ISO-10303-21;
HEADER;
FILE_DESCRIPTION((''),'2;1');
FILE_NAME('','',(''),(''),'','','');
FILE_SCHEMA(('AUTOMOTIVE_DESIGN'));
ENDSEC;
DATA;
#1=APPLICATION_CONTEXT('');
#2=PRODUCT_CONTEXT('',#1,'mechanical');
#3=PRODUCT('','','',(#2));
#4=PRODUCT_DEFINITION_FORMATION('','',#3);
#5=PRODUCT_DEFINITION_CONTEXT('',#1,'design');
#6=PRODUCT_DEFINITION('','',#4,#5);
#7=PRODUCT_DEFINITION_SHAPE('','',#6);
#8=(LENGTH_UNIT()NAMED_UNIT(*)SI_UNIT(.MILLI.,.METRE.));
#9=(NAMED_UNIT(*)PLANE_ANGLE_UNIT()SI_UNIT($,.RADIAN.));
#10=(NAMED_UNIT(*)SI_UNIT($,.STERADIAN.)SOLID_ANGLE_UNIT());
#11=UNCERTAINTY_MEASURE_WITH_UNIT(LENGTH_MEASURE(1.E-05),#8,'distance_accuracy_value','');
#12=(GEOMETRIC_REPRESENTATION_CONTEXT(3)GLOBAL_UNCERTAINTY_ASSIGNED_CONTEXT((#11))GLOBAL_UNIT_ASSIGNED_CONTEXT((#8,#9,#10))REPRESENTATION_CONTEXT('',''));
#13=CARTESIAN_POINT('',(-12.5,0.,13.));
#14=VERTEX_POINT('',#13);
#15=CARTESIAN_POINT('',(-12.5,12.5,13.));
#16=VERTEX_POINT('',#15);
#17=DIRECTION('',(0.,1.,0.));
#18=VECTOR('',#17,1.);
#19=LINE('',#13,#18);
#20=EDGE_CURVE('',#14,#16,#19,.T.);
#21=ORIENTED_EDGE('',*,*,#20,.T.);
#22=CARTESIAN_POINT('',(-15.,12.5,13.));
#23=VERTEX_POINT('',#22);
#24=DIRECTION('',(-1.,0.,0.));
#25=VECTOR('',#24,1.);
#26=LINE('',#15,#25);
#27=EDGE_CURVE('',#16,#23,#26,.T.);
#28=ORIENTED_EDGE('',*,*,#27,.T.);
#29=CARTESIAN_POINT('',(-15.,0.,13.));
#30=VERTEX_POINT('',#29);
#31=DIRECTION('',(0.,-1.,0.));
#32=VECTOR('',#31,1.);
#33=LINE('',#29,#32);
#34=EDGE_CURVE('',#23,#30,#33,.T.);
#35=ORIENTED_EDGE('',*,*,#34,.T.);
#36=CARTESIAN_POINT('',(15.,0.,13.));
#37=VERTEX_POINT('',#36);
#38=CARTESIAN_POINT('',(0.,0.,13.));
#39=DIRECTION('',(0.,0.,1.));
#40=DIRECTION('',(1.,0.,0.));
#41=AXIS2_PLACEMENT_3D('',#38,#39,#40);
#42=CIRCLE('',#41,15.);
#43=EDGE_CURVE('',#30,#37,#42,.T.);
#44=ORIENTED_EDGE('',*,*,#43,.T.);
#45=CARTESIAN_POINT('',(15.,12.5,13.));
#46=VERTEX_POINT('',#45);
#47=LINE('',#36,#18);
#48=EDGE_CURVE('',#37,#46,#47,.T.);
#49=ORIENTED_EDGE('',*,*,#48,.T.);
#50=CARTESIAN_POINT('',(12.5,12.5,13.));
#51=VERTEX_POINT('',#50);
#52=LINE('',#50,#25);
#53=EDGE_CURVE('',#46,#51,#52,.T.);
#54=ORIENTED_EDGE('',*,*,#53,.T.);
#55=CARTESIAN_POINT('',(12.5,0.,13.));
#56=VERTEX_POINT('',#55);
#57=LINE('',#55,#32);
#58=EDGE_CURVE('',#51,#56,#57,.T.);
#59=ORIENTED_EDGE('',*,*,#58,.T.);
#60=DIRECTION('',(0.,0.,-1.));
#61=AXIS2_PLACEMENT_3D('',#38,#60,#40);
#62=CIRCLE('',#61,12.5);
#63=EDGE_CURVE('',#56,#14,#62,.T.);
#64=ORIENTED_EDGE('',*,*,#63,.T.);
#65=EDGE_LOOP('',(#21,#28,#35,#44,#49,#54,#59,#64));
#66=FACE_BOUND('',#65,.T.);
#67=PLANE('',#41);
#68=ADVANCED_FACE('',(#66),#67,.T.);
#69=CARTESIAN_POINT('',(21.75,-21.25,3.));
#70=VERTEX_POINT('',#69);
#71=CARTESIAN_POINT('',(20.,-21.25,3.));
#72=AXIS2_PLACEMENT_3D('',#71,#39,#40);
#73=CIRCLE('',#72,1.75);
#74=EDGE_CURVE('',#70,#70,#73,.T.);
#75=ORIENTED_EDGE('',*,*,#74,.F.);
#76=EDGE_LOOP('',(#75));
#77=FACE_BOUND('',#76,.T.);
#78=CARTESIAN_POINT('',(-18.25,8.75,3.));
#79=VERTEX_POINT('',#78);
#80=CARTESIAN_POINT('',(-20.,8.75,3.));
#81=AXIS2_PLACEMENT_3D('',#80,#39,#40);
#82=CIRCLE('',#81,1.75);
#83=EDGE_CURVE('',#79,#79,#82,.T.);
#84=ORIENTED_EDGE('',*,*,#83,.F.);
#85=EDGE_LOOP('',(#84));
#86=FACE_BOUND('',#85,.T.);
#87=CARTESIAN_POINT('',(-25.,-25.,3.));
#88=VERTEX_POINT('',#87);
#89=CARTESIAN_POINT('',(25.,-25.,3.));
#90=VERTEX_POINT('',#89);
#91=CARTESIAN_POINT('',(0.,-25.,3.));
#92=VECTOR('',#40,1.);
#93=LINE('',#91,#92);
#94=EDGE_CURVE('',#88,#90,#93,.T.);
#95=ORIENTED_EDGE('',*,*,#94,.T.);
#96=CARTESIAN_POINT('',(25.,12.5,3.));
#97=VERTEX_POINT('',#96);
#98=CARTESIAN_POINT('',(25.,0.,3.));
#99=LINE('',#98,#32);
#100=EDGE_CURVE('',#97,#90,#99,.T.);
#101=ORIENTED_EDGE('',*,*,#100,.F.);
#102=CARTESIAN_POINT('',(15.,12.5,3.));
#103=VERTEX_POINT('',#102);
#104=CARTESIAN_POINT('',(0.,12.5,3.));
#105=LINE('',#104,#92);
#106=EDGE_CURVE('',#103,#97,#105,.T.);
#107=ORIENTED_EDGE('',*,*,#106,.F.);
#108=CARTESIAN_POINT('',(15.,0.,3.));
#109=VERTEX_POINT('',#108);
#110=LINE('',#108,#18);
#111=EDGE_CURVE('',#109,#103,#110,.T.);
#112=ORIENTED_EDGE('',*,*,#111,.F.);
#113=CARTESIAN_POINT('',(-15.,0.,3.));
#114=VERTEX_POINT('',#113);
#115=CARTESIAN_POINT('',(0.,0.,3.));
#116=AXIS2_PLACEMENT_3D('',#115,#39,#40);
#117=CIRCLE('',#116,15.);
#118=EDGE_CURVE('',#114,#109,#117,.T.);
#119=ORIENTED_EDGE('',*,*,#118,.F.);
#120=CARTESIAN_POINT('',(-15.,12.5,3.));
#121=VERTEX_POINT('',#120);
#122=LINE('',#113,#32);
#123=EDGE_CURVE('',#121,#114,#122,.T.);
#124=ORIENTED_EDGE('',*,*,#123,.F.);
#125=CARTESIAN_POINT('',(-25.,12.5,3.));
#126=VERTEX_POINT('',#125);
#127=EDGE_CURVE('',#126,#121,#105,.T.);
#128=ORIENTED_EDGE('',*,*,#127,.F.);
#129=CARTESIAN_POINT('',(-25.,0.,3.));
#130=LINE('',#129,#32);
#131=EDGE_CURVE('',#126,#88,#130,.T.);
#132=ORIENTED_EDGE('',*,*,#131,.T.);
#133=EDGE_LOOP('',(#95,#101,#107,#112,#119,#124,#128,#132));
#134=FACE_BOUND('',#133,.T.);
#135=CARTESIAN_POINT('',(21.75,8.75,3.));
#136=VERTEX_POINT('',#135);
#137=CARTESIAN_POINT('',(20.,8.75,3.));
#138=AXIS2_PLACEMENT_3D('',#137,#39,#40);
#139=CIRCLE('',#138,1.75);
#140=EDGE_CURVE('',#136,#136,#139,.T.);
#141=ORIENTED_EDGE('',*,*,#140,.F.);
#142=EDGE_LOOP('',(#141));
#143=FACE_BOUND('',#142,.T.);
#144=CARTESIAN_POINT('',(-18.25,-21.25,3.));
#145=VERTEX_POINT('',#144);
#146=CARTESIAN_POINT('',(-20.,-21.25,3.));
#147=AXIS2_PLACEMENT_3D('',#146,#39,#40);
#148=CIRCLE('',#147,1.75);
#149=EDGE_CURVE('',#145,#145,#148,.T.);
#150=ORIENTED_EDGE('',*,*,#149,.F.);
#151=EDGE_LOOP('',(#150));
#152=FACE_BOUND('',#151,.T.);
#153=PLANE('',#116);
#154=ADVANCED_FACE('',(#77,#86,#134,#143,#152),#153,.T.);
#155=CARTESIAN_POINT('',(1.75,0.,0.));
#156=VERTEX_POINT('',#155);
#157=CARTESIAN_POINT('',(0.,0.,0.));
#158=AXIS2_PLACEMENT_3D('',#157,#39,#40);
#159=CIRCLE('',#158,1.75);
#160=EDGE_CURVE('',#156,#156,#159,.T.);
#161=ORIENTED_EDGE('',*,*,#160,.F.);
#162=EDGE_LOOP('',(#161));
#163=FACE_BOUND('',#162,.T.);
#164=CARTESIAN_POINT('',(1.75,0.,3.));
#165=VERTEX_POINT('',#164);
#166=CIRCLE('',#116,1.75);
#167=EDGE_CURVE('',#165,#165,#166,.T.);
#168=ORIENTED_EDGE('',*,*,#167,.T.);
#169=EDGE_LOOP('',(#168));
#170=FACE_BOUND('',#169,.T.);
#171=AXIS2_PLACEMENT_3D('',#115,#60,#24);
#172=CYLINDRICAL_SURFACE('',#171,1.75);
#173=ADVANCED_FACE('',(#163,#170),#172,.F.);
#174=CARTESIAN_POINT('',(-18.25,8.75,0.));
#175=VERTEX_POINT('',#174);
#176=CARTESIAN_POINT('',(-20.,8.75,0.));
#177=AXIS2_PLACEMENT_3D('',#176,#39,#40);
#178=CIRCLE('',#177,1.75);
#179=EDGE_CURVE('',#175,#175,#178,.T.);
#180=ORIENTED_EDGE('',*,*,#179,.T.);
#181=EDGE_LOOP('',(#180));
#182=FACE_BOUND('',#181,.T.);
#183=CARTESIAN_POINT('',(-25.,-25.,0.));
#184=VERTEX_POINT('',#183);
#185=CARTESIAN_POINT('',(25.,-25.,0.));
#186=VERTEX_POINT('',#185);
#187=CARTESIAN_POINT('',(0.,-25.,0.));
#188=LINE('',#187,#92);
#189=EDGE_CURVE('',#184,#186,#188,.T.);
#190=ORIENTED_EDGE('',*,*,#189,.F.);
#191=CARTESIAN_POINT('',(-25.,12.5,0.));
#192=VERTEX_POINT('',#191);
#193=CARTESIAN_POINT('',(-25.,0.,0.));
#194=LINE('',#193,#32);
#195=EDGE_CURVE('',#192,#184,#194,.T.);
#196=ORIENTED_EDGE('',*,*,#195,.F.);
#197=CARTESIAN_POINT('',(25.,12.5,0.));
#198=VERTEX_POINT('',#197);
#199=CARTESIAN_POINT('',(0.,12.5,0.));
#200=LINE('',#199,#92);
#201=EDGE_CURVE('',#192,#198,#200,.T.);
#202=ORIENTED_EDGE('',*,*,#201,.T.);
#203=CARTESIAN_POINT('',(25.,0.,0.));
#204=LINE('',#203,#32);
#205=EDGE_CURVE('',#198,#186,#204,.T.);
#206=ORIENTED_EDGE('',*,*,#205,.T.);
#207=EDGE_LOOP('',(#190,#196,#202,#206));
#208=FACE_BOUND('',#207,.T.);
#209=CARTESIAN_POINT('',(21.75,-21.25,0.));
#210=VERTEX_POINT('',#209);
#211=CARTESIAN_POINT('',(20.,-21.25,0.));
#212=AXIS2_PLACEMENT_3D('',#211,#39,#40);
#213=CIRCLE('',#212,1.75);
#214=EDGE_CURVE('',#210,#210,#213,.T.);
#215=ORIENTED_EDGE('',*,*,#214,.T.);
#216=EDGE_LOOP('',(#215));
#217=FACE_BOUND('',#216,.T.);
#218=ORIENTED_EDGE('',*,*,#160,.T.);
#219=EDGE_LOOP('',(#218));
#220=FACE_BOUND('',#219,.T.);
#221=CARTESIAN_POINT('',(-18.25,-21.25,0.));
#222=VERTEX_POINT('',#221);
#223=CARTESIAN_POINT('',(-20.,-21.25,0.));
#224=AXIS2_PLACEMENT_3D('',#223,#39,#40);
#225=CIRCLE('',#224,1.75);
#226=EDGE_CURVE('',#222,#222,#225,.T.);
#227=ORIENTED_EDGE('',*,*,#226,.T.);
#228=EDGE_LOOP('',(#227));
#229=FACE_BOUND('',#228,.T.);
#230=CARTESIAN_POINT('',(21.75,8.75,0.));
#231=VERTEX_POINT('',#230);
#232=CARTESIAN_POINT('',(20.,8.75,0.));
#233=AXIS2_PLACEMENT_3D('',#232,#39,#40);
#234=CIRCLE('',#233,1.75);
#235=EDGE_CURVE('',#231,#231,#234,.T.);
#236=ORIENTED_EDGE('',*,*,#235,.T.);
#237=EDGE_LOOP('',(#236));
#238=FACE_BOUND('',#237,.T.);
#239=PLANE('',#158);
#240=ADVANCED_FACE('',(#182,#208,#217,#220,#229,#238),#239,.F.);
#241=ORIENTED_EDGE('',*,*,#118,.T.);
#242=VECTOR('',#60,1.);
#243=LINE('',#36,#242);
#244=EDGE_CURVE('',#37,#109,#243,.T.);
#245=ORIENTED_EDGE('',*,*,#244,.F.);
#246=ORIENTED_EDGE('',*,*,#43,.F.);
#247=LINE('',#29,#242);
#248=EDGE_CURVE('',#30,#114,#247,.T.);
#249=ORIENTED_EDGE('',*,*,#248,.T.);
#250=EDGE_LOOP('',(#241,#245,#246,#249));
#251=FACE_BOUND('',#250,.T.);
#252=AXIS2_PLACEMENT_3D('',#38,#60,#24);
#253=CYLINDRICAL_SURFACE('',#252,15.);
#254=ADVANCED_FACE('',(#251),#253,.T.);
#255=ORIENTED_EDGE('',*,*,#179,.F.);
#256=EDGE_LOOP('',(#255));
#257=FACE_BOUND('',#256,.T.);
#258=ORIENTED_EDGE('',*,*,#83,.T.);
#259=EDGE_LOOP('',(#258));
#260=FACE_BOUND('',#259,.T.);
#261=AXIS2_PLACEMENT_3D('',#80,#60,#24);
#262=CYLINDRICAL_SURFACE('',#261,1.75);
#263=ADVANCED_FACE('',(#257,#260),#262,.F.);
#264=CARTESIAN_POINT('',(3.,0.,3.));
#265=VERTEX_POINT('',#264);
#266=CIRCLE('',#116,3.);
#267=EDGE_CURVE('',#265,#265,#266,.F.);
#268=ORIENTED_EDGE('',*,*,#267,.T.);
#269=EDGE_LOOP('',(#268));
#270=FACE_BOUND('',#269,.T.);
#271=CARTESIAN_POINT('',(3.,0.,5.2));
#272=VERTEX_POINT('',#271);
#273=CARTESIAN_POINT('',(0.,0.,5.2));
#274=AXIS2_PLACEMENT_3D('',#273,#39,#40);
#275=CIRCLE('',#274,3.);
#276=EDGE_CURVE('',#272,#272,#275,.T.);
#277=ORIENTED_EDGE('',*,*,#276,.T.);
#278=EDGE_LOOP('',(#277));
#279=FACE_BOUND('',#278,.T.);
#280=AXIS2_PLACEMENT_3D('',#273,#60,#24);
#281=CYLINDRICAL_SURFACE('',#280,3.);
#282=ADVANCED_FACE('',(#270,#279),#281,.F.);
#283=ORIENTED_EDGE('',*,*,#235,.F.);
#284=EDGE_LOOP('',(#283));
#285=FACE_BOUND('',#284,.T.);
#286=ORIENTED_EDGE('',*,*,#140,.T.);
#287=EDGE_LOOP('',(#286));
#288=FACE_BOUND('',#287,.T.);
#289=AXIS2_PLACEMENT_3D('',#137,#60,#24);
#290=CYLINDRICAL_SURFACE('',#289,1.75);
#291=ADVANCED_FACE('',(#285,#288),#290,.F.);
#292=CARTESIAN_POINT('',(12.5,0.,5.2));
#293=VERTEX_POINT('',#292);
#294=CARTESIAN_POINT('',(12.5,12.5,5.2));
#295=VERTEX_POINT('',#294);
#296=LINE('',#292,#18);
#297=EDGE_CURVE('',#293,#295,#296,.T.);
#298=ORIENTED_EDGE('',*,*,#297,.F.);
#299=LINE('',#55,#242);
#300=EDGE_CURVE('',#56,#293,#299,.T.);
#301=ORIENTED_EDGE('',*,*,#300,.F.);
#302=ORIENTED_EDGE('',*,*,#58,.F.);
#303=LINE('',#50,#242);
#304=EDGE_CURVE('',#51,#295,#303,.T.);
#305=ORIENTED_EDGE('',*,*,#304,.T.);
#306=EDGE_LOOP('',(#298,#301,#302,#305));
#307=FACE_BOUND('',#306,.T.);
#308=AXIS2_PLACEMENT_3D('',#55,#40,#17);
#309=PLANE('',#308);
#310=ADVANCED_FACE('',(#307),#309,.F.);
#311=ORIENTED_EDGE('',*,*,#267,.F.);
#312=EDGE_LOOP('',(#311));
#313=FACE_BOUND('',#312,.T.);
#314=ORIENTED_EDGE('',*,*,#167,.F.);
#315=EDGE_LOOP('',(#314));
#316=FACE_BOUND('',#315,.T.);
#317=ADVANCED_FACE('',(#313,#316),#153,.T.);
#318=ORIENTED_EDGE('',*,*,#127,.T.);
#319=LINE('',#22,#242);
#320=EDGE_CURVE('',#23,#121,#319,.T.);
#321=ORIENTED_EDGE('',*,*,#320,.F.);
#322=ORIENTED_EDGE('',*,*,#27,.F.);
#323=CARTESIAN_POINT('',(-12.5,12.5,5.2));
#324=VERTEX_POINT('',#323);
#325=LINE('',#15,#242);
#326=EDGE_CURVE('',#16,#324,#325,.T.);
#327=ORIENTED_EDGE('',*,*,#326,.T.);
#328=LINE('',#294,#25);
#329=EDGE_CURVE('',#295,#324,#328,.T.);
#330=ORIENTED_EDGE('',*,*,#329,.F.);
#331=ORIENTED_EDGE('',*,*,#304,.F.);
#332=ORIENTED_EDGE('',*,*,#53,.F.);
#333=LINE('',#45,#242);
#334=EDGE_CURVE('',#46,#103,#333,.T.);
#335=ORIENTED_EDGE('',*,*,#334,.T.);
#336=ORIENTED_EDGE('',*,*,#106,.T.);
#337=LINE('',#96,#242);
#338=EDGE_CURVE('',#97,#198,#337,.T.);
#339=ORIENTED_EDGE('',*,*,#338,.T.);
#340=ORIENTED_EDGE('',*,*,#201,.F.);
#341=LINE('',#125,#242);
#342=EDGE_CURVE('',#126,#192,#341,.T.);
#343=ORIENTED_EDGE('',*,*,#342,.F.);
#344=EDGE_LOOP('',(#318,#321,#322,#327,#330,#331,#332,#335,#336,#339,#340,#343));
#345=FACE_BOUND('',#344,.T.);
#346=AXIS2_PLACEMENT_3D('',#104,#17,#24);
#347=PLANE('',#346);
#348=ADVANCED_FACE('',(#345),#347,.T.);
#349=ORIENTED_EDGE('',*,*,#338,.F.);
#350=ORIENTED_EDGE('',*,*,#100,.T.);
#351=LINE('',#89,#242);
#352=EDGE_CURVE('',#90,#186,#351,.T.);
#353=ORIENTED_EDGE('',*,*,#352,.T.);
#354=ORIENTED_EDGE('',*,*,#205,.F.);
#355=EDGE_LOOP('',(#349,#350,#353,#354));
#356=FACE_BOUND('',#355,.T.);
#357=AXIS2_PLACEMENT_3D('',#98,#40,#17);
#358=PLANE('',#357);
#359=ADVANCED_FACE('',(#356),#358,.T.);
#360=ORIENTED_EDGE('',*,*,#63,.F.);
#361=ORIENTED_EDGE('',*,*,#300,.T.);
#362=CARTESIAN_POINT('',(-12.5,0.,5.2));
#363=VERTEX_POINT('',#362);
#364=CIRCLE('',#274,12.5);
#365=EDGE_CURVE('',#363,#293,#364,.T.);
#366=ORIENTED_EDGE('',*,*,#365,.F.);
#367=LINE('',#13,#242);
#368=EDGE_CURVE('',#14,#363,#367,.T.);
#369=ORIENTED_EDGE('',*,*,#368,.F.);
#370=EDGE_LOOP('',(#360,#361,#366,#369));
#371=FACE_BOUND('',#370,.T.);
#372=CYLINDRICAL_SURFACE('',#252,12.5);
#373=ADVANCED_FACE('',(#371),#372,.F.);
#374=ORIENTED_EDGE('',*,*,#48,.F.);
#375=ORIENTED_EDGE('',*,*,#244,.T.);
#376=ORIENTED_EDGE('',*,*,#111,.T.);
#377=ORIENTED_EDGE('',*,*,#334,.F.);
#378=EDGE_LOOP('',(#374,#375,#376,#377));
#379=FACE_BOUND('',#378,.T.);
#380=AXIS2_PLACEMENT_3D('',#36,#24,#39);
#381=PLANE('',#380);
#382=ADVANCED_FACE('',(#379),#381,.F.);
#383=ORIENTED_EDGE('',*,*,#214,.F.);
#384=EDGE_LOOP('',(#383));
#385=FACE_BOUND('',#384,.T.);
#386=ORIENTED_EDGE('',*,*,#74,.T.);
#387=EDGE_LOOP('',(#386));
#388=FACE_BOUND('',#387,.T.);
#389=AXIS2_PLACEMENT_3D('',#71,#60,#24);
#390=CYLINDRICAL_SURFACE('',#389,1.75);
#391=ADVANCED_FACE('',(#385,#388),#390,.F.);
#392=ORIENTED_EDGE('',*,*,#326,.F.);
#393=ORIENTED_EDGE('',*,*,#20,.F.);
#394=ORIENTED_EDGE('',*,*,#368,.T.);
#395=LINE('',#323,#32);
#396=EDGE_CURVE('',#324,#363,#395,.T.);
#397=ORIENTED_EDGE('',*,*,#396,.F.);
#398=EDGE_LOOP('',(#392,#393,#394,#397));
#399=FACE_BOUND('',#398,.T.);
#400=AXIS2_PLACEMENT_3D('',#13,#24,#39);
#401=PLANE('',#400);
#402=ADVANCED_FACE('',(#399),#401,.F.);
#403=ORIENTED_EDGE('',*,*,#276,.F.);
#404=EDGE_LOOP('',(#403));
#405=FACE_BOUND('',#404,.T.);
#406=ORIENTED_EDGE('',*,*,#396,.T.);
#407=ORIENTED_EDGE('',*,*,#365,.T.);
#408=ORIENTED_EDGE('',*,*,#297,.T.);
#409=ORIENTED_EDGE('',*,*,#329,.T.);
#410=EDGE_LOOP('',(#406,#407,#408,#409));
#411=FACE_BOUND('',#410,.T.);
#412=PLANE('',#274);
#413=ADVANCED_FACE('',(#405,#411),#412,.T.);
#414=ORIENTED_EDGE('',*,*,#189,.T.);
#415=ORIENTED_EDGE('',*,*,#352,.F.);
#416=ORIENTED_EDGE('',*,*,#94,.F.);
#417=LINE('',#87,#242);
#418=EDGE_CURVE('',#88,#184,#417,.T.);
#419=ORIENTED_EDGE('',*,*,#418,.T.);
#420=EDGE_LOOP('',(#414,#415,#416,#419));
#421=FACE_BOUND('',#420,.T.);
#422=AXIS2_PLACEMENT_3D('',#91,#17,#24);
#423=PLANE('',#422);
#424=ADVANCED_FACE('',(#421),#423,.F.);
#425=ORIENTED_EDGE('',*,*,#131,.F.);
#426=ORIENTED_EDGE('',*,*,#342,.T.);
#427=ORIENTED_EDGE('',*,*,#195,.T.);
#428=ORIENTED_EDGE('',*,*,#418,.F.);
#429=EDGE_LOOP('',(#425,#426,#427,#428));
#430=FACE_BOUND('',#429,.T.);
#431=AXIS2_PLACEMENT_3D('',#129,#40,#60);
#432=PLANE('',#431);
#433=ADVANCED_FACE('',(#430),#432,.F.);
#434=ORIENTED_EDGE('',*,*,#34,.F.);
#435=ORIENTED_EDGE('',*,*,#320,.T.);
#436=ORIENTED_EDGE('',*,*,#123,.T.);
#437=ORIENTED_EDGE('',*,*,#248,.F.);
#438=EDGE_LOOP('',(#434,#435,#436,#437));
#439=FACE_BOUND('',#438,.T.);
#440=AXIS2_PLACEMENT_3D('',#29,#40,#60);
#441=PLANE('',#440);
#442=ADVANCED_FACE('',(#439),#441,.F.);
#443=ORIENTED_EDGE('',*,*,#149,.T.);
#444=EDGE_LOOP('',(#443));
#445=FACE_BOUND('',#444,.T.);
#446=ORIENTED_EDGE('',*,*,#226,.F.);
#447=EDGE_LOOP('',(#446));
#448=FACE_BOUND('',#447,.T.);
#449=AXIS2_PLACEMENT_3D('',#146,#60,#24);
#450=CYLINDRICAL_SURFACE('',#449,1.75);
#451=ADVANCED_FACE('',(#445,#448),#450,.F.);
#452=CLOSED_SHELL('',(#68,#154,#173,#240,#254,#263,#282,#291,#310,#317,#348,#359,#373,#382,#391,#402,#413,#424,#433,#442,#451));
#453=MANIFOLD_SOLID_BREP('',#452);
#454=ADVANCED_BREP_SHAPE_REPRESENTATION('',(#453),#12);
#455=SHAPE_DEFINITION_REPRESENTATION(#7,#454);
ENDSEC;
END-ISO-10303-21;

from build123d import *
from build123d.topology import SkipClean

# Parameters (mm, degrees)
SCHIZZO1_R                   = 1.75
SCHIZZO1_R_2                 = 12.5
ESTRUSIONE_ESTRUSIONE1_DEPTH = 3
ESTRUSIONE_ESTRUSIONE2_DEPTH = 10
SCHIZZO3_R                   = 3
ESTRUSIONE_ESTRUSIONE3_DEPTH = 2.2


with BuildPart() as part:
    # Schizzo1 → Estrusione-Estrusione1 (new body)
    # profile 1 of 3: a face of its own
    with SkipClean():  # the faces are left unmerged after this step: merging them gives an invalid solid
        with BuildSketch(Plane.XY):
            with BuildLine():
                Line((-8.291561976, 12.5), (-25, 12.5))
                Line((-25, 12.5), (-25, -25))
                Line((-25, -25), (25, -25))
                Line((25, -25), (25, 12.5))
                Line((25, 12.5), (8.291561976, 12.5))
                ThreePointArc((8.291561976, 12.5), (0, -15), (-8.291561976, 12.5))
            make_face()
            with Locations((-20, -21.25)):
                Circle(SCHIZZO1_R, mode=Mode.SUBTRACT)
            with Locations((20, -21.25)):
                Circle(SCHIZZO1_R, mode=Mode.SUBTRACT)
            with Locations((-20, 8.75)):
                Circle(SCHIZZO1_R, mode=Mode.SUBTRACT)
            with Locations((20, 8.75)):
                Circle(SCHIZZO1_R, mode=Mode.SUBTRACT)
        # profile 2 of 3: a face of its own
        with BuildSketch(Plane.XY):
            with BuildLine():
                Line((-4.8e-08, 12.5), (-8.291561976, 12.5))
                ThreePointArc((-8.291561976, 12.5), (0, -15), (8.291561976, 12.5))
                Line((8.291561976, 12.5), (-4.8e-08, 12.5))
            make_face()
            with BuildLine():
                ThreePointArc((12.5, 0), (-8.838834748, -8.838834782), (-4.8e-08, 12.5))
                ThreePointArc((-4.8e-08, 12.5), (8.838834748, 8.838834782), (12.5, 0))
            make_face(mode=Mode.SUBTRACT)
        # profile 3 of 3: a face of its own
        with BuildSketch(Plane.XY):
            Circle(SCHIZZO1_R_2)
            Circle(SCHIZZO1_R, mode=Mode.SUBTRACT)
        extrude(amount=ESTRUSIONE_ESTRUSIONE1_DEPTH)

    # Schizzo2 → Estrusione-Estrusione2 (add)
    with BuildSketch(Plane.XY.offset(3)):
        with BuildLine():
            Line((15, 0), (15, 12.5))
            Line((15, 12.5), (12.5, 12.5))
            Line((12.5, 12.5), (12.5, 0))
            ThreePointArc((12.5, 0), (0, -12.5), (-12.5, 0))
            Line((-12.5, 0), (-12.5, 12.5))
            Line((-12.5, 12.5), (-15, 12.5))
            Line((-15, 12.5), (-15, 0))
            ThreePointArc((-15, 0), (0, -15), (15, 0))
        make_face()
    extrude(amount=ESTRUSIONE_ESTRUSIONE2_DEPTH)

    # Schizzo3 → Estrusione-Estrusione3 (add)
    with BuildSketch(Plane.XY.offset(3)):
        with BuildLine():
            Line((12.5, 0), (12.5, 12.5))
            Line((12.5, 12.5), (-12.5, 12.5))
            Line((-12.5, 12.5), (-12.5, 0))
            ThreePointArc((-12.5, 0), (0, -12.5), (12.5, 0))
        make_face()
        Circle(SCHIZZO3_R, mode=Mode.SUBTRACT)
    extrude(amount=ESTRUSIONE_ESTRUSIONE3_DEPTH)


solid = part.part
